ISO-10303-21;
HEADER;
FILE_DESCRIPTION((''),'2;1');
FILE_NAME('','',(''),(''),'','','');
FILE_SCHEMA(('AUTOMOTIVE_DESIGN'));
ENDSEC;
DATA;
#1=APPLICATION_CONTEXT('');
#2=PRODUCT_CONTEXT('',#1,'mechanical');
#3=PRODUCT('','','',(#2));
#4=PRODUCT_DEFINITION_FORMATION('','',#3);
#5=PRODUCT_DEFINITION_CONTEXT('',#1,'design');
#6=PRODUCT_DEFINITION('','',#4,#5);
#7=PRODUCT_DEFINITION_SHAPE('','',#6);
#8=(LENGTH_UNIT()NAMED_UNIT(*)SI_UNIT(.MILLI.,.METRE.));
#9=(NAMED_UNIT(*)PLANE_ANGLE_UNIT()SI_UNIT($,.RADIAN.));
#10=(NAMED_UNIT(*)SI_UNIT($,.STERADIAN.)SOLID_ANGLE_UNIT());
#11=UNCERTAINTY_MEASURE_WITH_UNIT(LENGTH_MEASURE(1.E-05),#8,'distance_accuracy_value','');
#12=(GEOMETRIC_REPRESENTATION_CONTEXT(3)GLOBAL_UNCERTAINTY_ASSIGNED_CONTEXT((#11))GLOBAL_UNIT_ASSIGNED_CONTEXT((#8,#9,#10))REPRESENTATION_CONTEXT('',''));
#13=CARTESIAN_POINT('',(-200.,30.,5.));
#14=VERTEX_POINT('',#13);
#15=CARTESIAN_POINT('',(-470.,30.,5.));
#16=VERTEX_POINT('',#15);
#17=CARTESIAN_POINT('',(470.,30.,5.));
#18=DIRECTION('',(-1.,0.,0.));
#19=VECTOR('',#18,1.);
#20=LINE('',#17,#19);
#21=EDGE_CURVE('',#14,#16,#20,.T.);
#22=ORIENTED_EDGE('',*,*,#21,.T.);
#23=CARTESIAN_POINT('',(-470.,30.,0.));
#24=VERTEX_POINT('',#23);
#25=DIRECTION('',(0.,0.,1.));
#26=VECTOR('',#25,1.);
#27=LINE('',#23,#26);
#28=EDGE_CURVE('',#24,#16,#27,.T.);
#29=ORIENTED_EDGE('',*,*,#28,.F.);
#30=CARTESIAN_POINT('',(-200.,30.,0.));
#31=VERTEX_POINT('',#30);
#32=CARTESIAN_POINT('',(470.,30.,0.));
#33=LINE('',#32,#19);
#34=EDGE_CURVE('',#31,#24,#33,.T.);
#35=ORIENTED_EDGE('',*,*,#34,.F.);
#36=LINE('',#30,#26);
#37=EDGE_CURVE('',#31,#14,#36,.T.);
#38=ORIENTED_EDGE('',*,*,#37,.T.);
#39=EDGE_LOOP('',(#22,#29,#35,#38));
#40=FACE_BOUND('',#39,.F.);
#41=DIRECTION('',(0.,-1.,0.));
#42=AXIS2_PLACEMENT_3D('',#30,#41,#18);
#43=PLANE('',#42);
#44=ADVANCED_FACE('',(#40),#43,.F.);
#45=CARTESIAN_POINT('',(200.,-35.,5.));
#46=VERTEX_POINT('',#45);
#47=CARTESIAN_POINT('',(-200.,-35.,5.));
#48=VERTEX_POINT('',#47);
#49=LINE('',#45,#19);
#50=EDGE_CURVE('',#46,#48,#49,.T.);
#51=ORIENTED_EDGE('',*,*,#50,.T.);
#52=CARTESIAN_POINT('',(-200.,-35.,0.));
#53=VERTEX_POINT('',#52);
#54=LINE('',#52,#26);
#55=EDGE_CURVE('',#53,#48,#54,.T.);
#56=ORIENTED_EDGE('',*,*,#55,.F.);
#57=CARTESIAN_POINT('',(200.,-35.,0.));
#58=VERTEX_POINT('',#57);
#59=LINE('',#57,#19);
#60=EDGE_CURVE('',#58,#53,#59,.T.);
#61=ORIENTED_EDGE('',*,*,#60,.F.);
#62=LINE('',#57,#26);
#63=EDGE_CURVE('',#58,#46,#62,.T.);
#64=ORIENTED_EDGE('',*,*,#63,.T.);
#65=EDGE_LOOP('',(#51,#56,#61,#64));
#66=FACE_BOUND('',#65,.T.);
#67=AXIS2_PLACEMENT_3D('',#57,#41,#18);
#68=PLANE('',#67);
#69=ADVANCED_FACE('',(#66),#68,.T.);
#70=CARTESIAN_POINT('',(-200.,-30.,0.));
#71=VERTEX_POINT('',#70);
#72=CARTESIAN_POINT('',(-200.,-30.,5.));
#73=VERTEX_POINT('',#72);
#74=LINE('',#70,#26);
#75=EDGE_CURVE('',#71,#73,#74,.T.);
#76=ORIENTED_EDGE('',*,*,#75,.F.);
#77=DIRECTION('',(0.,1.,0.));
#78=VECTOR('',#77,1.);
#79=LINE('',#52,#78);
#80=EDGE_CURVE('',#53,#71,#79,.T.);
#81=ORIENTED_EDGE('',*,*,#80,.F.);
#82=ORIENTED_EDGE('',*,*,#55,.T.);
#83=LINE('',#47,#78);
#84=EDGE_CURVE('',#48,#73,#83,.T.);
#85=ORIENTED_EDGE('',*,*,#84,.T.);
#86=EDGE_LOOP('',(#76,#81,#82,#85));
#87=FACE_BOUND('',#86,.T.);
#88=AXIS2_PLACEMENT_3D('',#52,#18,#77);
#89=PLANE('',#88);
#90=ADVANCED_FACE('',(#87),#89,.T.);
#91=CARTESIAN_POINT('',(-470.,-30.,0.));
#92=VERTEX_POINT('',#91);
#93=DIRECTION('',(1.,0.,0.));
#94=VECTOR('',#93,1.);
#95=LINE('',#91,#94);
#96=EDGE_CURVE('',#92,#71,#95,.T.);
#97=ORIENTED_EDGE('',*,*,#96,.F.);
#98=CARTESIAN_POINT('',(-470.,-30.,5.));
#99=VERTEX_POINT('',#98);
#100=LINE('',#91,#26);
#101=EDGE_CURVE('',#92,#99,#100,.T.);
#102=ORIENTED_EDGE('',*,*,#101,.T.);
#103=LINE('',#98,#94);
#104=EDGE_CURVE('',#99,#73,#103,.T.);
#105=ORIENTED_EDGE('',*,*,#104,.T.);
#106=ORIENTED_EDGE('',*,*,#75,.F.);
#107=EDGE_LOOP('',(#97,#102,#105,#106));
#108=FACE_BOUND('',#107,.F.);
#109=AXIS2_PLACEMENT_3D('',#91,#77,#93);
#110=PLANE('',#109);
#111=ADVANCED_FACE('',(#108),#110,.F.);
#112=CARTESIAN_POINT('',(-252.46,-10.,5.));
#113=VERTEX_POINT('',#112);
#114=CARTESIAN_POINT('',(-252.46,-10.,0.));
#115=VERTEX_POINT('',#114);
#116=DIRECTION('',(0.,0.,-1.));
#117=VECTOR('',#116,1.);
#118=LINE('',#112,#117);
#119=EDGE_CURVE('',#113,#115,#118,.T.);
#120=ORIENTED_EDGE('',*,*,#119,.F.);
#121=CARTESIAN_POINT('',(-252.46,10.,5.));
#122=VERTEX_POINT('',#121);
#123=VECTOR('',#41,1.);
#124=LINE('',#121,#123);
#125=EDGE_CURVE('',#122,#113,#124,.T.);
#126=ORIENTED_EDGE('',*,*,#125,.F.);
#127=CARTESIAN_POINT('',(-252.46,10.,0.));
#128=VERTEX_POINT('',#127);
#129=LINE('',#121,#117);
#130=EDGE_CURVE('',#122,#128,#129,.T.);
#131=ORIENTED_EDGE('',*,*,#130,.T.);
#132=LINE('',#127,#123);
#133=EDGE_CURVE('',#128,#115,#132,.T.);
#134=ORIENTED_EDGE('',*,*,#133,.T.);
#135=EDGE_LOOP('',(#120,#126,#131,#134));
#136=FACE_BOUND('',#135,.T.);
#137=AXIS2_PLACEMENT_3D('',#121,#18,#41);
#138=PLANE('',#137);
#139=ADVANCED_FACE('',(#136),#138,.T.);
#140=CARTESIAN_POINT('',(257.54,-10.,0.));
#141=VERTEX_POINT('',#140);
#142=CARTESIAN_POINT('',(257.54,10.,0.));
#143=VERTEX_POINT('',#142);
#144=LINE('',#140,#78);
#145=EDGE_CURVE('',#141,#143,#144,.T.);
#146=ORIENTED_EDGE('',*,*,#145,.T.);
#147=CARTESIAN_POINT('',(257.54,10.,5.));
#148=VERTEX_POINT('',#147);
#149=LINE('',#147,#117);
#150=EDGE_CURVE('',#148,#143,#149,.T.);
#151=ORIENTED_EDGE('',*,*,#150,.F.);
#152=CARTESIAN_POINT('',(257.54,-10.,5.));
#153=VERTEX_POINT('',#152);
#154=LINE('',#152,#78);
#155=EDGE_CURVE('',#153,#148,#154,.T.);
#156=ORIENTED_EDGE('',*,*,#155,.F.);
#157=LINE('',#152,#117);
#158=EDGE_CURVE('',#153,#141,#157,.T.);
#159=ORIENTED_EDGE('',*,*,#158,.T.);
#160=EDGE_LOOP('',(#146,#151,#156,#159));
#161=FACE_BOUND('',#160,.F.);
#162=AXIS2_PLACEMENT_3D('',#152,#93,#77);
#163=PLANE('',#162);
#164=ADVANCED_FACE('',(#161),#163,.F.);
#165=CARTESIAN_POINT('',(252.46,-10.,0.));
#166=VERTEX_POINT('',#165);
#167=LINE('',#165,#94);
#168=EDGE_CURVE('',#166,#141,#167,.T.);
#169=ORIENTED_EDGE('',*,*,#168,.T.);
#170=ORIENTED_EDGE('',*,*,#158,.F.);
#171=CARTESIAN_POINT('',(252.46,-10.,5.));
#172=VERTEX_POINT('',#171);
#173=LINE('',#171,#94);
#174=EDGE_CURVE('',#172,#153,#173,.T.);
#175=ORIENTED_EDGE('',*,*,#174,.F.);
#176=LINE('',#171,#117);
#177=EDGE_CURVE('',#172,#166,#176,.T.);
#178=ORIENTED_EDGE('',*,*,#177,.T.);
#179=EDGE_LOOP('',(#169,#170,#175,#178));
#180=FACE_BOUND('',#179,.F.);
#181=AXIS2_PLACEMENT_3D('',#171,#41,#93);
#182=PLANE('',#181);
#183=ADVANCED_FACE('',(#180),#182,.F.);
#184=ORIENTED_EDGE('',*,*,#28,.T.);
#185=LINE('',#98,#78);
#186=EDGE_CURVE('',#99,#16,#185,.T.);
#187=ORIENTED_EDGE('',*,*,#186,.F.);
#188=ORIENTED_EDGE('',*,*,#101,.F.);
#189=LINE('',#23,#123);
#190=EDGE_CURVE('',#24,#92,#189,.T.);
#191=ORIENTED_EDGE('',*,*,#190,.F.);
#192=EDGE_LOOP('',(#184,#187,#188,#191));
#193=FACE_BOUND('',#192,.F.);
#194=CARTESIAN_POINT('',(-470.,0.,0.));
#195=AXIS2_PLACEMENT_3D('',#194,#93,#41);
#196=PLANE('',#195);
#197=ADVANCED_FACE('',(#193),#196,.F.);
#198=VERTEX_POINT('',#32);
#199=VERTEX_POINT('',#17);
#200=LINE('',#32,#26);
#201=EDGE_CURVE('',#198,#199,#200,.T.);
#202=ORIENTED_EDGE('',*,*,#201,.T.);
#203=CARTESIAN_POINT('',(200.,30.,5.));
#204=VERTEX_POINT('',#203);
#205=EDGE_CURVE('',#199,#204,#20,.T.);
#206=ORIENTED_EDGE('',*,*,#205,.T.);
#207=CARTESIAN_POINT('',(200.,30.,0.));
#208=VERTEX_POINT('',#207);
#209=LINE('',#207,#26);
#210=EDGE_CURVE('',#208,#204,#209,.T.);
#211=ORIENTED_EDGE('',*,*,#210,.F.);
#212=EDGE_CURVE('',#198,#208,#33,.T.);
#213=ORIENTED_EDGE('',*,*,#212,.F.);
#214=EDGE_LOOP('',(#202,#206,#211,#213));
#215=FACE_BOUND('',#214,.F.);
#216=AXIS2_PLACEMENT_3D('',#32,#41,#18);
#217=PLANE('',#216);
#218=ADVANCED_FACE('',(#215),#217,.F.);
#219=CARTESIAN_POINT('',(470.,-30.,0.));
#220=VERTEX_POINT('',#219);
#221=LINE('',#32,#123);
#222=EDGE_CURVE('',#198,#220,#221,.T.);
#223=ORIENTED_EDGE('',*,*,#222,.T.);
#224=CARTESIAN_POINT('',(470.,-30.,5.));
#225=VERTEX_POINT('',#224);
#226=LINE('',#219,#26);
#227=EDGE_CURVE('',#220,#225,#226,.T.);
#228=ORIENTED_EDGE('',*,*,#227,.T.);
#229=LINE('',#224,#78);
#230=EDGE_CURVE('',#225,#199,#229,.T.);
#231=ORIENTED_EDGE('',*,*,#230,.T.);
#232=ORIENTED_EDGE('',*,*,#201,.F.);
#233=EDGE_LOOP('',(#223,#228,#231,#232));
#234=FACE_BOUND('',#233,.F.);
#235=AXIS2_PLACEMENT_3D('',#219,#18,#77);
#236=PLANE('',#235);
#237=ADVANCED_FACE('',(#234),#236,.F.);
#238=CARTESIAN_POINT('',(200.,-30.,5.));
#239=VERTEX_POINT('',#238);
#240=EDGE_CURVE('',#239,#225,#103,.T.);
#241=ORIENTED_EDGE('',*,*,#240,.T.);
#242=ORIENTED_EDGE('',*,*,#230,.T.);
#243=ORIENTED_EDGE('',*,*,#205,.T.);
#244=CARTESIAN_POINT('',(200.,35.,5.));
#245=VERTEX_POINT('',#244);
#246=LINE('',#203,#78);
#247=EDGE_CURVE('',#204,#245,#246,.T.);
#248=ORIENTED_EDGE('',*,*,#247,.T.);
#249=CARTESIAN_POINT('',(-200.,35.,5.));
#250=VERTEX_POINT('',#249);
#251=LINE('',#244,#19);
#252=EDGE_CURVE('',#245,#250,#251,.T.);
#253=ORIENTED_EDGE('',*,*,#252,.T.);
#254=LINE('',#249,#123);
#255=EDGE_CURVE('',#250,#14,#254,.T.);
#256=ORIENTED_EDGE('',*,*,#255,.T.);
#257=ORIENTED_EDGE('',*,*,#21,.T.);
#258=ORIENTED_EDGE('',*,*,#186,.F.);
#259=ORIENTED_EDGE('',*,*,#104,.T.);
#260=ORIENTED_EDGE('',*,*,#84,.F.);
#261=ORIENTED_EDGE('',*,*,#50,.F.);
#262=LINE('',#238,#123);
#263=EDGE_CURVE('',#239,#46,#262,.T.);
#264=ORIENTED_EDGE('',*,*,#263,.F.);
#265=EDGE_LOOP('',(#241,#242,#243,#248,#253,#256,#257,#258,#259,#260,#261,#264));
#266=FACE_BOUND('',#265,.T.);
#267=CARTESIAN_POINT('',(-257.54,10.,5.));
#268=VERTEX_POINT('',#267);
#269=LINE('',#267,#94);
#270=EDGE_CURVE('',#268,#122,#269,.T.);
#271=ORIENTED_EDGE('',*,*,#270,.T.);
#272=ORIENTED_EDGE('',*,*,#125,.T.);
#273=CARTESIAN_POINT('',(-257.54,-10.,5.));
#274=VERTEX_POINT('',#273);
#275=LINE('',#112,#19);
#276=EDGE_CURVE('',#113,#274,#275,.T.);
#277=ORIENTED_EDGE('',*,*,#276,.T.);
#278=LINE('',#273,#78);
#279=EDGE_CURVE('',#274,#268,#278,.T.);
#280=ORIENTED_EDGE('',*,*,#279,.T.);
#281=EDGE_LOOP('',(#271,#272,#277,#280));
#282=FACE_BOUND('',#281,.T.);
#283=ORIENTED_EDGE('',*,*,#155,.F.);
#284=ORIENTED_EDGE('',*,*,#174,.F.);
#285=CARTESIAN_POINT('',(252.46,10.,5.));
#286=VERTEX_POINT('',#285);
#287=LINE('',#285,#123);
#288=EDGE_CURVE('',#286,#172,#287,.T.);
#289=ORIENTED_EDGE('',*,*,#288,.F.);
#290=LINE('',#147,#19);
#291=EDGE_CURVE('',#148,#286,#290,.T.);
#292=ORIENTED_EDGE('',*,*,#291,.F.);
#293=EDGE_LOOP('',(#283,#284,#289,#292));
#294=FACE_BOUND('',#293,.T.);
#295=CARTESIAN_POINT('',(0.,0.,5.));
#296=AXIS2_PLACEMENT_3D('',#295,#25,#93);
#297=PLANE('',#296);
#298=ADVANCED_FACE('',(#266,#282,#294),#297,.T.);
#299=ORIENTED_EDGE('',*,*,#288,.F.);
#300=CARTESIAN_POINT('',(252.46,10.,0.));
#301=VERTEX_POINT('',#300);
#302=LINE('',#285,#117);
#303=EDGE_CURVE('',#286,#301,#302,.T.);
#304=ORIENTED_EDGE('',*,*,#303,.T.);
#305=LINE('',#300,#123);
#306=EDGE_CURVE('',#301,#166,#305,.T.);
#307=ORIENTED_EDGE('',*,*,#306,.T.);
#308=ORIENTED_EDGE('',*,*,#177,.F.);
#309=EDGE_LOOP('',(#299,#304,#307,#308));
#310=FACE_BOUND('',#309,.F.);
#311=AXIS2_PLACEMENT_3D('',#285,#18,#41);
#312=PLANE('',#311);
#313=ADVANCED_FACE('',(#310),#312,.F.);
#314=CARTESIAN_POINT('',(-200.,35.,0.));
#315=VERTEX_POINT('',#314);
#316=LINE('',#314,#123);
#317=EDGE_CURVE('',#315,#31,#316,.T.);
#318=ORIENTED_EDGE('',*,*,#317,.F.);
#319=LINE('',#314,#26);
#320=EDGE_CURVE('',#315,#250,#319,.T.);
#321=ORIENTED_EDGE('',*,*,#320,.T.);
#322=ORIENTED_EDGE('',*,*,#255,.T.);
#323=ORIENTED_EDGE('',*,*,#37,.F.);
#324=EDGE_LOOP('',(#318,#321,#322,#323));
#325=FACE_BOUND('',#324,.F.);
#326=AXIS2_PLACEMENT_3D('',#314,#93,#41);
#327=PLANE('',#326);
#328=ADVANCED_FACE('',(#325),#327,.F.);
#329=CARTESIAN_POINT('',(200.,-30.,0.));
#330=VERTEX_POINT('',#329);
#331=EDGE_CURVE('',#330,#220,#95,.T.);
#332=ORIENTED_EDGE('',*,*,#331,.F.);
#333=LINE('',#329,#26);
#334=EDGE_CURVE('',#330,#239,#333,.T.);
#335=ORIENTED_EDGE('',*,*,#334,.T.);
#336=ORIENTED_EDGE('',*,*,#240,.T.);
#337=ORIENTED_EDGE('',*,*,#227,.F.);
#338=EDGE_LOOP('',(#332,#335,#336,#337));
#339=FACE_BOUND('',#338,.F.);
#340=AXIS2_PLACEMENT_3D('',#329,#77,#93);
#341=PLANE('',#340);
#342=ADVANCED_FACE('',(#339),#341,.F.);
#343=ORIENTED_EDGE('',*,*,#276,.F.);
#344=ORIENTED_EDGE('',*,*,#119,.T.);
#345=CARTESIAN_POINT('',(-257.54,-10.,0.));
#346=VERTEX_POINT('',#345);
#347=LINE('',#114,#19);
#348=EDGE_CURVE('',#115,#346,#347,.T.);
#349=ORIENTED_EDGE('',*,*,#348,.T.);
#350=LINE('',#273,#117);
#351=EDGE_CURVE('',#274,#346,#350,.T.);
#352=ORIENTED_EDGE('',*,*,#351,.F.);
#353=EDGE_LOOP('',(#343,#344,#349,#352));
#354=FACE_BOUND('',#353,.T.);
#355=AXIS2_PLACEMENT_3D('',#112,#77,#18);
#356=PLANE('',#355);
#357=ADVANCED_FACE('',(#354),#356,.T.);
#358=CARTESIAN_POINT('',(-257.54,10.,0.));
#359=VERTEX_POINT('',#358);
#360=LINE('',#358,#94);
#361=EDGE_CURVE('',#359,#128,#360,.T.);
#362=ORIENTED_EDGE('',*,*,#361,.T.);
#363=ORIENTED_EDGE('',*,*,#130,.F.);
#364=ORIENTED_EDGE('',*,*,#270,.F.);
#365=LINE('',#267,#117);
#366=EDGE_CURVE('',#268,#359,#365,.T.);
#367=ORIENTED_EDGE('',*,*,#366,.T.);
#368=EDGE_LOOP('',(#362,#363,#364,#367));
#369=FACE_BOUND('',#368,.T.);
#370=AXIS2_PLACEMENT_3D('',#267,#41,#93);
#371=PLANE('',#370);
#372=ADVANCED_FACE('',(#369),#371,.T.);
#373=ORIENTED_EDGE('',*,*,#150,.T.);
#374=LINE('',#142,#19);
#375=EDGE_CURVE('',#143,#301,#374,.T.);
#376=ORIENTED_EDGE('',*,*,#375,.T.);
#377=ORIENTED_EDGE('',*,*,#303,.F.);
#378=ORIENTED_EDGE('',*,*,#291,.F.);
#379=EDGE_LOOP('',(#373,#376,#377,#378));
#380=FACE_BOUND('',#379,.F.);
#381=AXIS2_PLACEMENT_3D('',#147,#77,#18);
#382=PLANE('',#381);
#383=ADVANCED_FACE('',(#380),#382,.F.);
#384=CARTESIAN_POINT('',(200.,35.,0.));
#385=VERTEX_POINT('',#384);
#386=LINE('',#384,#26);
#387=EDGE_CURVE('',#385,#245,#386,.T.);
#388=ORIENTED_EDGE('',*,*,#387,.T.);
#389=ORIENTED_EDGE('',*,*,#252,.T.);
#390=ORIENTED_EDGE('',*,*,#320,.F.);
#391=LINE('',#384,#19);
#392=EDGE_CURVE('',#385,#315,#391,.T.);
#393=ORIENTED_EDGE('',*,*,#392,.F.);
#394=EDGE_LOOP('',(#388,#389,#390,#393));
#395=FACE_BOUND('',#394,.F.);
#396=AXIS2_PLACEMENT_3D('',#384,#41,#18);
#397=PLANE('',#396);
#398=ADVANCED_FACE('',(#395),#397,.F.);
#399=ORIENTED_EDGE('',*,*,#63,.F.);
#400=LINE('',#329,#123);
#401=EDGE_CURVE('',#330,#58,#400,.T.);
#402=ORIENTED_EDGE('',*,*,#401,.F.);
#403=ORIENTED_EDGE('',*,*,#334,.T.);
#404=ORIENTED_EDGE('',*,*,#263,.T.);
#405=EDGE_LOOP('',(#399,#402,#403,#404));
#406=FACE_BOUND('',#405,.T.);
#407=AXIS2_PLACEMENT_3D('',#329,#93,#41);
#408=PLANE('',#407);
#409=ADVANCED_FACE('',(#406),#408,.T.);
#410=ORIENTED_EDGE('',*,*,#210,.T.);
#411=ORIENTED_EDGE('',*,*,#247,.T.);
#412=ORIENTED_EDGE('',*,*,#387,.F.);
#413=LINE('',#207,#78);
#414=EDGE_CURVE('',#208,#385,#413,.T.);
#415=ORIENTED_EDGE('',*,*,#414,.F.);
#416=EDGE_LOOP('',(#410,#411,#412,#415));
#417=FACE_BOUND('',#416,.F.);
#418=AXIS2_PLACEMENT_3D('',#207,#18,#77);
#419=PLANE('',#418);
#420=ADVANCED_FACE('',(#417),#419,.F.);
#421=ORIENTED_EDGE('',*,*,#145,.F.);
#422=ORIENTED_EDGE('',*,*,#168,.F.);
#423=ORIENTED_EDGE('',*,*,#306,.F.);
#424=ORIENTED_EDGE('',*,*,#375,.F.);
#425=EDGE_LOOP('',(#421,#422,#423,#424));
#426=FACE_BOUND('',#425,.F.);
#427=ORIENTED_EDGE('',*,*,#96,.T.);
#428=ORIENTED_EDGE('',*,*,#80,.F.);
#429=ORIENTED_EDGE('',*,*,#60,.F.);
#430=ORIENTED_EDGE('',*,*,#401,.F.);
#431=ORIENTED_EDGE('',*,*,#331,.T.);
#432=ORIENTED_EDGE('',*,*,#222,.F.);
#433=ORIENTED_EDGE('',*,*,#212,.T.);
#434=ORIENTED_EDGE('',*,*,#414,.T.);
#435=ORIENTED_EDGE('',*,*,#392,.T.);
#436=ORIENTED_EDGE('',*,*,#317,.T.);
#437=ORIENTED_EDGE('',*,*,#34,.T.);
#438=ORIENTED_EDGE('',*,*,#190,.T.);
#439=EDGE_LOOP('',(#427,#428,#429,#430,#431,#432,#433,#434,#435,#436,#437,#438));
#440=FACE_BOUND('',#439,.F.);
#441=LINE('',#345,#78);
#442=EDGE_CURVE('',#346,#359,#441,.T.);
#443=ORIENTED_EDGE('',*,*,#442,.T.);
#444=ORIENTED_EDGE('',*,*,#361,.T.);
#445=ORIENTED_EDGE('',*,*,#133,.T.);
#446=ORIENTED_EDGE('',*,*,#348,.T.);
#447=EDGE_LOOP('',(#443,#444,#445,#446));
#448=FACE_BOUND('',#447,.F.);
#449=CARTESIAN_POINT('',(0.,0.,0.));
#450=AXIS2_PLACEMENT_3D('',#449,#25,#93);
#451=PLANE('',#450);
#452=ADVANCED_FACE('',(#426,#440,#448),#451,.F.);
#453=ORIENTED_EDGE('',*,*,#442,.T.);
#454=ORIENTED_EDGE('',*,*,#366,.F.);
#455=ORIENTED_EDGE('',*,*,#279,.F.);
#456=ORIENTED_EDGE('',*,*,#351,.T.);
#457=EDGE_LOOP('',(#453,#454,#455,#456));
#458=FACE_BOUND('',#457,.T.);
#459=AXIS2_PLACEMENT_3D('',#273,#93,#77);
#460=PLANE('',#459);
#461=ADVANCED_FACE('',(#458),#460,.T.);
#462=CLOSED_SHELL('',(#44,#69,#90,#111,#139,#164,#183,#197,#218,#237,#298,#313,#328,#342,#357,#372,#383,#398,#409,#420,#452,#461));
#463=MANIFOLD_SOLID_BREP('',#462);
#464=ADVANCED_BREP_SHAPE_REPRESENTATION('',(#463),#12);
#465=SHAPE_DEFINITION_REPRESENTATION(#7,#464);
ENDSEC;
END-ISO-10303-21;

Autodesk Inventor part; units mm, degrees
ref_plane "YZ Plane" through (0, 0, 0) normal (1, 0, 0) x (0, 1, 0)
ref_plane "XZ Plane" through (0, 0, 0) normal (0, 1, 0) x (-1, 0, 0)
ref_plane "XY Plane" through (0, 0, 0) normal (0, 0, 1) x (1, 0, 0)
sketch "Sketch1" plane through (0, 0, 0) normal (0, 0, 1) x (1, 0, 0)
  line L0 (-470, -30) -> (470, -30)
  line L1 (470, -30) -> (470, 30)
  line L2 (470, 30) -> (-470, 30)
  line L3 (-470, 30) -> (-470, -30)
  line L4 (-470, -30) -> (470, 30) construction
  line L5 (470, -30) -> (-470, 30) construction
  line L6 (200, 35) -> (-200, 35)
  line L7 (-200, 35) -> (-200, 30)
  line L8 (-200, 30) -> (200, 30)
  line L9 (200, 30) -> (200, 35)
  line L10 (200, 35) -> (-200, 30) construction
  line L11 (-200, 35) -> (200, 30) construction
  line L12 (-470, 0) -> (470, 0)
  line L13 (200, -35) -> (-200, -35)
  line L14 (-200, -35) -> (-200, -30)
  line L15 (-200, -30) -> (200, -30)
  line L16 (200, -30) -> (200, -35)
  line L17 (200, -35) -> (-200, -30) construction
  line L18 (-200, -35) -> (200, -30) construction
  point P0 (0, 0)
  point P1 (0, 32.5)
  point P2 (0, 30)
  point P3 (0, -32.5)
  point P4 (0, -30)
  dimension "d0" = 940
  dimension "d1" = 60
  dimension "d2" = 400
  dimension "d3" = 5
extrude "Plate1" add sketch "Sketch1" along normal blind 5
sketch "Sketch2" plane through (0, 0, 5) normal (0, 0, 1) x (1, 0, 0)
  line L0 (-257.54, 10) -> (-252.46, 10)
  line L1 (-252.46, 10) -> (-252.46, -10)
  line L2 (-252.46, -10) -> (-257.54, -10)
  line L3 (-257.54, -10) -> (-257.54, 10)
  line L4 (-257.54, 10) -> (-252.46, -10) construction
  line L5 (-252.46, 10) -> (-257.54, -10) construction
  line L6 (200, 35) -> (-200, 35) projected
  line L7 (0, 35) -> (0, -35)
  line L8 (-200, -35) -> (200, -35) projected
  line L9 (257.54, 10) -> (252.46, 10)
  line L10 (252.46, 10) -> (252.46, -10)
  line L11 (252.46, -10) -> (257.54, -10)
  line L12 (257.54, -10) -> (257.54, 10)
  line L13 (257.54, 10) -> (252.46, -10) construction
  line L14 (252.46, 10) -> (257.54, -10) construction
  point P0 (0, 0)
  point P1 (-255, 0)
  point P2 (255, 0)
  point P3 (0, 0)
  dimension "d5" = 5.08
  dimension "d6" = 20
  dimension "d7" = 510
extrude "Cut1" cut sketch "Sketch2" against normal blind 5
equation "\"d8\" = Thickness"
equation "\"d4\" = Thickness"
equation "\"BendRadius\" = Thickness"
equation "\"BendReliefWidth\" = Thickness"
equation "\"BendReliefDepth\" = 0.5 * Thickness"
equation "\"TransitionRadius\" = BendRadius"
equation "\"JacobiRadiusSize\" = BendRadius"
equation "\"GapSize\" = Thickness"
equation "\"Thickness\" = 5"
properties part number "Table-Base Fixation 2nd"
